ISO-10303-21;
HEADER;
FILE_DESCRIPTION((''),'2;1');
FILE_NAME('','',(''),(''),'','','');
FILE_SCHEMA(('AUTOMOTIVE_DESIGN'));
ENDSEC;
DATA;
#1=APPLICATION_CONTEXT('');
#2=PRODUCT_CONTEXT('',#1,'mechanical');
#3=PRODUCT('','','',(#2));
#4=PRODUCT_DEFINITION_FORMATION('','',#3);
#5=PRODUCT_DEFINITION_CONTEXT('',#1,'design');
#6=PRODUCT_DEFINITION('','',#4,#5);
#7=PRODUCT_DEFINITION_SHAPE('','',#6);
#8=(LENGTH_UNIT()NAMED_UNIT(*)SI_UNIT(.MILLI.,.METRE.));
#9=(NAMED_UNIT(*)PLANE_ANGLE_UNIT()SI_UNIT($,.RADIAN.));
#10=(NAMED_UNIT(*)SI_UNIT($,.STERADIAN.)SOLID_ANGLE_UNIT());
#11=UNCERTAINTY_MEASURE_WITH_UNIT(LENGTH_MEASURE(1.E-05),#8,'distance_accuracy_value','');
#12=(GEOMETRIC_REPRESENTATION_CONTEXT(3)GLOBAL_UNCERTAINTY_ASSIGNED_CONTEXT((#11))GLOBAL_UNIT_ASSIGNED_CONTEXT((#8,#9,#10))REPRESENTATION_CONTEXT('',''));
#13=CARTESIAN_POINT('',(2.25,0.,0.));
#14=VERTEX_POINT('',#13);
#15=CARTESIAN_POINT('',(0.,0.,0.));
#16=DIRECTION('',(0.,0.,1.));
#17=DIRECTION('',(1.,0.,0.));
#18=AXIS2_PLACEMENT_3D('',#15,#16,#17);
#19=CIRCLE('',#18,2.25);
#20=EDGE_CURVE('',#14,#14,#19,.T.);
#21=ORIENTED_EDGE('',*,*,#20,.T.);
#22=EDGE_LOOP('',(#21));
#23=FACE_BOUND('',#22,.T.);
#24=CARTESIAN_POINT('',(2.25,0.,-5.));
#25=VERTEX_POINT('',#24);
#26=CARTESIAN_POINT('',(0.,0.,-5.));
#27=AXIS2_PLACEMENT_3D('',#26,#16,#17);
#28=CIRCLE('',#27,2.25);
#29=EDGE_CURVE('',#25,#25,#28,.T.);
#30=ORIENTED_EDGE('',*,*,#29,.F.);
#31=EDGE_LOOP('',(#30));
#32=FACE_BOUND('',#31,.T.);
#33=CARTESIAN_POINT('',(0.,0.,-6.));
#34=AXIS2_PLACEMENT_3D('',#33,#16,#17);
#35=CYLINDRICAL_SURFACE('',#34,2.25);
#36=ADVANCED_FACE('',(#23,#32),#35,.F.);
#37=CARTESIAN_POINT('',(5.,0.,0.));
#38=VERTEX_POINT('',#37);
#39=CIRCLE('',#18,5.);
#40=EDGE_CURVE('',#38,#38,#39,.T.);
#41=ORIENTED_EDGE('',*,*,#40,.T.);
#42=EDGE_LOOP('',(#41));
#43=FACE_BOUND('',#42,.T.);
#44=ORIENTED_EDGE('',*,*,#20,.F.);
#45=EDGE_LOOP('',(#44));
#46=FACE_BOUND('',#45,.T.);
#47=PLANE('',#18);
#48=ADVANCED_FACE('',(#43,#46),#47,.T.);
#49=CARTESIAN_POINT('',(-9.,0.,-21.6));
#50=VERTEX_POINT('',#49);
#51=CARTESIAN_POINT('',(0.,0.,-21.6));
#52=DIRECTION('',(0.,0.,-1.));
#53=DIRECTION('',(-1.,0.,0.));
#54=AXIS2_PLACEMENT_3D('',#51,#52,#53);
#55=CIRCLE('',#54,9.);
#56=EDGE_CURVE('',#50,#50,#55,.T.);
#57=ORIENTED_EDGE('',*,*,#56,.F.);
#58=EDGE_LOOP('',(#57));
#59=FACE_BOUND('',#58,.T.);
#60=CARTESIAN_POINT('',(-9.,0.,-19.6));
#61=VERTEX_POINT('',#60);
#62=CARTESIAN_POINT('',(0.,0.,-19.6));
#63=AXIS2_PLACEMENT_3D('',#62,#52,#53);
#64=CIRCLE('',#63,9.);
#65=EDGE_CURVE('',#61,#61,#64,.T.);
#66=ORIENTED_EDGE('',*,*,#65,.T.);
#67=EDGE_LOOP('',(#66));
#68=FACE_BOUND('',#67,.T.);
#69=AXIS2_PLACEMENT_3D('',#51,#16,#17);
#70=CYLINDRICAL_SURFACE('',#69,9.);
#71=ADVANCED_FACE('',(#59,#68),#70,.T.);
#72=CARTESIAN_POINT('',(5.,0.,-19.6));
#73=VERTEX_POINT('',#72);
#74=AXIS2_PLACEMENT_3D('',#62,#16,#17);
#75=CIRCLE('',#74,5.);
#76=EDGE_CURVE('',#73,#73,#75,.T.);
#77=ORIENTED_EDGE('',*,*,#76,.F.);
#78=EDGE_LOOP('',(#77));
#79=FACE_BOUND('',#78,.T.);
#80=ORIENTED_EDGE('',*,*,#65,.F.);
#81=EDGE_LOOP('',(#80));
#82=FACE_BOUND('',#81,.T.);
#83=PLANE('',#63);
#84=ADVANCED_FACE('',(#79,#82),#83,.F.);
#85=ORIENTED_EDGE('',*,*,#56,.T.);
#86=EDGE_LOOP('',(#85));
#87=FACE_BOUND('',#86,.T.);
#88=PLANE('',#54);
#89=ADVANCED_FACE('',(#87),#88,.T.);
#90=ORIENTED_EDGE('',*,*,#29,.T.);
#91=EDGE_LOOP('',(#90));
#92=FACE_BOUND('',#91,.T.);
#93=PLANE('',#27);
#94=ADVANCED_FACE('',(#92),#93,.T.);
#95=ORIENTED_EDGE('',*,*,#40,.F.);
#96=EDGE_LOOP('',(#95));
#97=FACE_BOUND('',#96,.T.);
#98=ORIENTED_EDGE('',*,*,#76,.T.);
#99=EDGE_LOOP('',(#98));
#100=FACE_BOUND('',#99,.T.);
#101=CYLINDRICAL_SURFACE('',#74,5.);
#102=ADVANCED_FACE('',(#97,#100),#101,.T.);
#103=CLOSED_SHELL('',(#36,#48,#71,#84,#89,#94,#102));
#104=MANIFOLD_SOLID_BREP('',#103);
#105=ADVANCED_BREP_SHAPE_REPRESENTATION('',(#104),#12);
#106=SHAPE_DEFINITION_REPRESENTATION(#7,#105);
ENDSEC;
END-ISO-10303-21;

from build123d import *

# Parameters (mm, degrees)
CROQUIS1_R              = 5
CROQUIS1_R_2            = 4.25
SALIENTE_EXTRUIR1_DEPTH = 19.6
CROQUIS2_R              = 9
CROQUIS2_R_2            = 4.25
SALIENTE_EXTRUIR2_DEPTH = 2
CROQUIS3_R              = 5
SALIENTE_EXTRUIR3_DEPTH = 5
CROQUIS4_R              = 2.25
CORTAR_EXTRUIR1_DEPTH   = 6
SALIENTE_EXTRUIR4_START = -16.6
CROQUIS5_R              = 4.25
SALIENTE_EXTRUIR4_DEPTH = 16.6


with BuildPart() as part:
    # Croquis1 → Saliente-Extruir1 (new body)
    with BuildSketch(Plane.XY):
        Circle(CROQUIS1_R)
        Circle(CROQUIS1_R_2, mode=Mode.SUBTRACT)
    extrude(amount=-SALIENTE_EXTRUIR1_DEPTH)

    # Croquis2 → Saliente-Extruir2 (add)
    with BuildSketch(Plane(origin=(0, 0, -19.6), x_dir=(-1, 0, 0), z_dir=(0, 0, -1))):
        Circle(CROQUIS2_R)
        with Locations(Location((0, 0, 0), (0, 0, 180))):
            Circle(CROQUIS2_R_2, mode=Mode.SUBTRACT)
    extrude(amount=SALIENTE_EXTRUIR2_DEPTH)

    # Croquis3 → Saliente-Extruir3 (add)
    with BuildSketch(Plane.XY):
        Circle(CROQUIS3_R)
    extrude(amount=-SALIENTE_EXTRUIR3_DEPTH)

    # Croquis4 → Cortar-Extruir1 (cut)
    with BuildSketch(Plane.XY):
        Circle(CROQUIS4_R)
    extrude(amount=-CORTAR_EXTRUIR1_DEPTH, mode=Mode.SUBTRACT)

    # Croquis5 → Saliente-Extruir4 (add)
    with BuildSketch(Plane(origin=(0, 0, -21.6), x_dir=(-1, 0, 0), z_dir=(0, 0, -1)).offset(SALIENTE_EXTRUIR4_START)):
        Circle(CROQUIS5_R)
    extrude(amount=SALIENTE_EXTRUIR4_DEPTH)


solid = part.part
